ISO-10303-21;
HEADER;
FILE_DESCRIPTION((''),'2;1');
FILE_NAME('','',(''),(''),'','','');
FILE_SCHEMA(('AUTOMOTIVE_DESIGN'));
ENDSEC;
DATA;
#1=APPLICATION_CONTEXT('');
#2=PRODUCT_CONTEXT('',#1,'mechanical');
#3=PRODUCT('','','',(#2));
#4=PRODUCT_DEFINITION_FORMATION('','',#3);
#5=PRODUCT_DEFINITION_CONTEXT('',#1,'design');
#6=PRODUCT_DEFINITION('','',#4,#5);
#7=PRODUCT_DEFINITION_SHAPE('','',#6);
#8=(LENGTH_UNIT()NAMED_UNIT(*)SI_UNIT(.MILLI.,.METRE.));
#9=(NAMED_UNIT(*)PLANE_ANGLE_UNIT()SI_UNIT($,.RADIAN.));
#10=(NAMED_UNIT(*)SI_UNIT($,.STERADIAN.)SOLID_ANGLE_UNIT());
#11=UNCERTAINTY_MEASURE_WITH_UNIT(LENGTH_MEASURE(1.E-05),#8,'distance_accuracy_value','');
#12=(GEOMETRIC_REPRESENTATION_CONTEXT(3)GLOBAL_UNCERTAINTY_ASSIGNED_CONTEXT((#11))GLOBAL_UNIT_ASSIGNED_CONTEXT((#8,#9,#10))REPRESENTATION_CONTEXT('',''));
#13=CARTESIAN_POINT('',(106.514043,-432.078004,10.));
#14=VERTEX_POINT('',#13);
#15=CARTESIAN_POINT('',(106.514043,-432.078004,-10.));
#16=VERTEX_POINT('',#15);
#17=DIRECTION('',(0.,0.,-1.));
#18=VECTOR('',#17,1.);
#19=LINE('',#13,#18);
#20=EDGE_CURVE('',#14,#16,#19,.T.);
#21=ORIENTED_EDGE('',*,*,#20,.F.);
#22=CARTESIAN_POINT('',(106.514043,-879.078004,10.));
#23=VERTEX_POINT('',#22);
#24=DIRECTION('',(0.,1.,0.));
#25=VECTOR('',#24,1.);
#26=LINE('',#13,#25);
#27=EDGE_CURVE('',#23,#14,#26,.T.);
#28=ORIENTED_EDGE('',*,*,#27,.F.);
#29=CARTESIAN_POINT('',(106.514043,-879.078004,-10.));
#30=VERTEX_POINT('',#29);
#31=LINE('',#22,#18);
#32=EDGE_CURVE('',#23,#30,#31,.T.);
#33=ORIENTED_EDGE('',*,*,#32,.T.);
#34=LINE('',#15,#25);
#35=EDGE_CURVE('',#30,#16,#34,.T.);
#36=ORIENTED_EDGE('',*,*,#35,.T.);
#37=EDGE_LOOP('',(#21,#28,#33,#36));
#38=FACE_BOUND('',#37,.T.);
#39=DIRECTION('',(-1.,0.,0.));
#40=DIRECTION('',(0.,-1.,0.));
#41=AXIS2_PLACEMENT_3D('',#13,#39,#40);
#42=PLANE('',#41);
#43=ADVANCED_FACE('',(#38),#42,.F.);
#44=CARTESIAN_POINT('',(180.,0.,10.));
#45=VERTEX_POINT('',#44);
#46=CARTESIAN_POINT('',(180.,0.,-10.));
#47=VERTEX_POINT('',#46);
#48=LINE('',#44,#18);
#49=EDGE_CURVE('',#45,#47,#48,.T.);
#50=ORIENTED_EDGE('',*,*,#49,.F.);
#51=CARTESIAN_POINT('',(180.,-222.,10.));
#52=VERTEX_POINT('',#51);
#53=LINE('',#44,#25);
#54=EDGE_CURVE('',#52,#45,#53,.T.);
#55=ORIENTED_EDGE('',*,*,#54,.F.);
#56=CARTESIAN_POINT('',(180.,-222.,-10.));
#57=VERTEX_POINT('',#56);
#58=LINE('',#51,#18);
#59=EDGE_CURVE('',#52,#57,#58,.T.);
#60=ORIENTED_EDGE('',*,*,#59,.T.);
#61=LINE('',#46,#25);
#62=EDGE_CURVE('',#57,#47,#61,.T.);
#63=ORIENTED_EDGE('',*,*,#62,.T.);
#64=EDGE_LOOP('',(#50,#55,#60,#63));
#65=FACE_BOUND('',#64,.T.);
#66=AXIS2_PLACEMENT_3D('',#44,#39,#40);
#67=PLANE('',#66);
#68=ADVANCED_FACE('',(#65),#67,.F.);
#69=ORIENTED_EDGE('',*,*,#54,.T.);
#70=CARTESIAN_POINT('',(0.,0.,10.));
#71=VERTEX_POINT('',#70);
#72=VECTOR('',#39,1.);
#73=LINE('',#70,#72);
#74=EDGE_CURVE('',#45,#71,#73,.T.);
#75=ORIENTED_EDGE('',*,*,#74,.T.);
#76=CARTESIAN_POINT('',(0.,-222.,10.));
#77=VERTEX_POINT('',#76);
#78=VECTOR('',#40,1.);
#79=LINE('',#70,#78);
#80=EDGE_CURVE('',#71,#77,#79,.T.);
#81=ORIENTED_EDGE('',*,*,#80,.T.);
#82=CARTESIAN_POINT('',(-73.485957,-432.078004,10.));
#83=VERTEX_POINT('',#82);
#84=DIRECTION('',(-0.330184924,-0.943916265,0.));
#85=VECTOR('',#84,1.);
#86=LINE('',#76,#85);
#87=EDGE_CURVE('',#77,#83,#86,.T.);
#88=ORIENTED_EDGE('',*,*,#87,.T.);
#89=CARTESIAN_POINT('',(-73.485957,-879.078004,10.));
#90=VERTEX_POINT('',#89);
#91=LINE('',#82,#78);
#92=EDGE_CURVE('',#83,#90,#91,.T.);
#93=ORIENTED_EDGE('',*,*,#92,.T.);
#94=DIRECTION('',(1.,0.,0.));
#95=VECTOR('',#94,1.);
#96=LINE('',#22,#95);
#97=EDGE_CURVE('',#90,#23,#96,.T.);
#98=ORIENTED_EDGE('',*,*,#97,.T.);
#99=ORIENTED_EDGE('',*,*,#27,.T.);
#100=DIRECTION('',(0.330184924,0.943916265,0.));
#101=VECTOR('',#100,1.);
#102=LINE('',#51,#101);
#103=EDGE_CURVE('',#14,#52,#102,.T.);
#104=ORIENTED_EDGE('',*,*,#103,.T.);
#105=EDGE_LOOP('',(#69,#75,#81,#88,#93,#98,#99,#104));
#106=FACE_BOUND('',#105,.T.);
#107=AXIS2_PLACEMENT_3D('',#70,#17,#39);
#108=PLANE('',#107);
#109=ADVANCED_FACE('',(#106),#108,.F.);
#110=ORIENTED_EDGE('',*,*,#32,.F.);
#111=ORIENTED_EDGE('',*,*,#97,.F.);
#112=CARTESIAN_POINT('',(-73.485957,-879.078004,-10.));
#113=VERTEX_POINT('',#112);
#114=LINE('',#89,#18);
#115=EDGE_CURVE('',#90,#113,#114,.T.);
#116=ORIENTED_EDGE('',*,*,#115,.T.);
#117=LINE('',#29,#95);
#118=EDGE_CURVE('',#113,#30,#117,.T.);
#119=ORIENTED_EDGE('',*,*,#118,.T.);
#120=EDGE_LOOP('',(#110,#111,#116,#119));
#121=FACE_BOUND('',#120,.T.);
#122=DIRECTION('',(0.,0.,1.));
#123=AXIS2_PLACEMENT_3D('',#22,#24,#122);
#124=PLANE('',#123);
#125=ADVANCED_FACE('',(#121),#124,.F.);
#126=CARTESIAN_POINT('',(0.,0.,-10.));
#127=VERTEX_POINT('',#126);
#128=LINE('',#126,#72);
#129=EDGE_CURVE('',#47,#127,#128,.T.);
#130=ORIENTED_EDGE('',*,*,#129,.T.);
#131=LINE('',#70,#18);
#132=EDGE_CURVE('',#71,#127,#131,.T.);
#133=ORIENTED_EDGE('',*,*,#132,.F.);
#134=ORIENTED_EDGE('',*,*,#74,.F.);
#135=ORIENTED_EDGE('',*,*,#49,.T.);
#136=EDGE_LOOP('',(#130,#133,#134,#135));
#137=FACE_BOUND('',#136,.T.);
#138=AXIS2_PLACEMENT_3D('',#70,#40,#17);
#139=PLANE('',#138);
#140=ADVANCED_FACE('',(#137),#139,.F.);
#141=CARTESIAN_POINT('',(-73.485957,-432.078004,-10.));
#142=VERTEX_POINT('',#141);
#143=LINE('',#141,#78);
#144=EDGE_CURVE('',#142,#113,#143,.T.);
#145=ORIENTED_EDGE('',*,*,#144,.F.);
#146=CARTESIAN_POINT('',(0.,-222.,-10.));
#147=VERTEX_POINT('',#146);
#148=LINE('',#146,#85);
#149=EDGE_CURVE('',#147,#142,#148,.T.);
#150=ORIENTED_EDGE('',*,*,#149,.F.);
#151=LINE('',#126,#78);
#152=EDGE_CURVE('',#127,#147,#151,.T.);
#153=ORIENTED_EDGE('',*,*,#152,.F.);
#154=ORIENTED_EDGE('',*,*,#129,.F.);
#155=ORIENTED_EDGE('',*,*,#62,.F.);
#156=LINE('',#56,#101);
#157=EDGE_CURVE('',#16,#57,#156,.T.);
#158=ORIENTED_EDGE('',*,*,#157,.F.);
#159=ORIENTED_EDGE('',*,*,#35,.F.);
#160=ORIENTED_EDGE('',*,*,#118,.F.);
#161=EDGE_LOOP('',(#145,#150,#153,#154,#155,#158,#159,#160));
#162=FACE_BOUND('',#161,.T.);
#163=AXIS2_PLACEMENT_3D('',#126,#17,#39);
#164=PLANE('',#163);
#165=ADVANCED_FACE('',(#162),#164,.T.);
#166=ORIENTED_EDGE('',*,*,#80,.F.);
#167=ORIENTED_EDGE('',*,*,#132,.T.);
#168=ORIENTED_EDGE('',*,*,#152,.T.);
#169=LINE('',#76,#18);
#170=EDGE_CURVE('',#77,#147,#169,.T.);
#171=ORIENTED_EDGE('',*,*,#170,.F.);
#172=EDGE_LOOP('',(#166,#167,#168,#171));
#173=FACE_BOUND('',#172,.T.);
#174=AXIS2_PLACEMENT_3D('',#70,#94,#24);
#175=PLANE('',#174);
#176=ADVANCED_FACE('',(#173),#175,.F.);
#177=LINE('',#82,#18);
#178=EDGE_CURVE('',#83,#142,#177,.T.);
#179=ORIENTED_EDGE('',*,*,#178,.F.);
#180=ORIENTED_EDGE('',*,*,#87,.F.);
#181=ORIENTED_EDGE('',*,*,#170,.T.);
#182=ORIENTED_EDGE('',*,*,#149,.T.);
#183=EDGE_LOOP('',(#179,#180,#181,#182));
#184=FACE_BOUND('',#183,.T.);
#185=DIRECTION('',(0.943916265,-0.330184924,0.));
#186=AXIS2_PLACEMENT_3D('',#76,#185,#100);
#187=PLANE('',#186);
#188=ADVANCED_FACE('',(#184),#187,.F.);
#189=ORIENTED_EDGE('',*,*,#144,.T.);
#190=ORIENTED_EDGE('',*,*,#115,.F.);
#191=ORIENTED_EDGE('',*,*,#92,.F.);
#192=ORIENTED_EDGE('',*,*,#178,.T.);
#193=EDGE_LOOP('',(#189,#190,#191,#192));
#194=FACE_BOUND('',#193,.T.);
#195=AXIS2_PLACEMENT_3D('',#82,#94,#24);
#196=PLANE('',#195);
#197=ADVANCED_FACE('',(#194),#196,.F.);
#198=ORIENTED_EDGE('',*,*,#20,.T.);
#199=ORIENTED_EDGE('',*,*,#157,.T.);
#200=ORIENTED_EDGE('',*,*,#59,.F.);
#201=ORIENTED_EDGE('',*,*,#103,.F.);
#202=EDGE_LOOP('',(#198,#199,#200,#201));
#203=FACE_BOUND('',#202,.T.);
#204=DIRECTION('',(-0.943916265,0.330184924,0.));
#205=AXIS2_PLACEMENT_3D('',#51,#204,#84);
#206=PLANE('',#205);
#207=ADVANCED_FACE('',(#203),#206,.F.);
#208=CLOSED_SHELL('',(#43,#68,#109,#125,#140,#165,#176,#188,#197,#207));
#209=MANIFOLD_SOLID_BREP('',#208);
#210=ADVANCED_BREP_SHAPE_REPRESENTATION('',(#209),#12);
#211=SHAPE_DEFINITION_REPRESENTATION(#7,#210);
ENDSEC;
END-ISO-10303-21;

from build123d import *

# Parameters (mm, degrees)
BOSS_EXTRUDE1_DEPTH = 10


with BuildPart() as part:
    # Sketch1 → Boss-Extrude1 (new body, symmetric)
    with BuildSketch(Plane.XY):
        Polygon((0, 0), (180, 0), (180, -222), (106.514043336, -432.07800402), (106.514043336, -879.07800402), (-73.485956664, -879.07800402), (-73.485956664, -432.07800402), (0, -222), align=None)
    extrude(amount=BOSS_EXTRUDE1_DEPTH, both=True)


solid = part.part
